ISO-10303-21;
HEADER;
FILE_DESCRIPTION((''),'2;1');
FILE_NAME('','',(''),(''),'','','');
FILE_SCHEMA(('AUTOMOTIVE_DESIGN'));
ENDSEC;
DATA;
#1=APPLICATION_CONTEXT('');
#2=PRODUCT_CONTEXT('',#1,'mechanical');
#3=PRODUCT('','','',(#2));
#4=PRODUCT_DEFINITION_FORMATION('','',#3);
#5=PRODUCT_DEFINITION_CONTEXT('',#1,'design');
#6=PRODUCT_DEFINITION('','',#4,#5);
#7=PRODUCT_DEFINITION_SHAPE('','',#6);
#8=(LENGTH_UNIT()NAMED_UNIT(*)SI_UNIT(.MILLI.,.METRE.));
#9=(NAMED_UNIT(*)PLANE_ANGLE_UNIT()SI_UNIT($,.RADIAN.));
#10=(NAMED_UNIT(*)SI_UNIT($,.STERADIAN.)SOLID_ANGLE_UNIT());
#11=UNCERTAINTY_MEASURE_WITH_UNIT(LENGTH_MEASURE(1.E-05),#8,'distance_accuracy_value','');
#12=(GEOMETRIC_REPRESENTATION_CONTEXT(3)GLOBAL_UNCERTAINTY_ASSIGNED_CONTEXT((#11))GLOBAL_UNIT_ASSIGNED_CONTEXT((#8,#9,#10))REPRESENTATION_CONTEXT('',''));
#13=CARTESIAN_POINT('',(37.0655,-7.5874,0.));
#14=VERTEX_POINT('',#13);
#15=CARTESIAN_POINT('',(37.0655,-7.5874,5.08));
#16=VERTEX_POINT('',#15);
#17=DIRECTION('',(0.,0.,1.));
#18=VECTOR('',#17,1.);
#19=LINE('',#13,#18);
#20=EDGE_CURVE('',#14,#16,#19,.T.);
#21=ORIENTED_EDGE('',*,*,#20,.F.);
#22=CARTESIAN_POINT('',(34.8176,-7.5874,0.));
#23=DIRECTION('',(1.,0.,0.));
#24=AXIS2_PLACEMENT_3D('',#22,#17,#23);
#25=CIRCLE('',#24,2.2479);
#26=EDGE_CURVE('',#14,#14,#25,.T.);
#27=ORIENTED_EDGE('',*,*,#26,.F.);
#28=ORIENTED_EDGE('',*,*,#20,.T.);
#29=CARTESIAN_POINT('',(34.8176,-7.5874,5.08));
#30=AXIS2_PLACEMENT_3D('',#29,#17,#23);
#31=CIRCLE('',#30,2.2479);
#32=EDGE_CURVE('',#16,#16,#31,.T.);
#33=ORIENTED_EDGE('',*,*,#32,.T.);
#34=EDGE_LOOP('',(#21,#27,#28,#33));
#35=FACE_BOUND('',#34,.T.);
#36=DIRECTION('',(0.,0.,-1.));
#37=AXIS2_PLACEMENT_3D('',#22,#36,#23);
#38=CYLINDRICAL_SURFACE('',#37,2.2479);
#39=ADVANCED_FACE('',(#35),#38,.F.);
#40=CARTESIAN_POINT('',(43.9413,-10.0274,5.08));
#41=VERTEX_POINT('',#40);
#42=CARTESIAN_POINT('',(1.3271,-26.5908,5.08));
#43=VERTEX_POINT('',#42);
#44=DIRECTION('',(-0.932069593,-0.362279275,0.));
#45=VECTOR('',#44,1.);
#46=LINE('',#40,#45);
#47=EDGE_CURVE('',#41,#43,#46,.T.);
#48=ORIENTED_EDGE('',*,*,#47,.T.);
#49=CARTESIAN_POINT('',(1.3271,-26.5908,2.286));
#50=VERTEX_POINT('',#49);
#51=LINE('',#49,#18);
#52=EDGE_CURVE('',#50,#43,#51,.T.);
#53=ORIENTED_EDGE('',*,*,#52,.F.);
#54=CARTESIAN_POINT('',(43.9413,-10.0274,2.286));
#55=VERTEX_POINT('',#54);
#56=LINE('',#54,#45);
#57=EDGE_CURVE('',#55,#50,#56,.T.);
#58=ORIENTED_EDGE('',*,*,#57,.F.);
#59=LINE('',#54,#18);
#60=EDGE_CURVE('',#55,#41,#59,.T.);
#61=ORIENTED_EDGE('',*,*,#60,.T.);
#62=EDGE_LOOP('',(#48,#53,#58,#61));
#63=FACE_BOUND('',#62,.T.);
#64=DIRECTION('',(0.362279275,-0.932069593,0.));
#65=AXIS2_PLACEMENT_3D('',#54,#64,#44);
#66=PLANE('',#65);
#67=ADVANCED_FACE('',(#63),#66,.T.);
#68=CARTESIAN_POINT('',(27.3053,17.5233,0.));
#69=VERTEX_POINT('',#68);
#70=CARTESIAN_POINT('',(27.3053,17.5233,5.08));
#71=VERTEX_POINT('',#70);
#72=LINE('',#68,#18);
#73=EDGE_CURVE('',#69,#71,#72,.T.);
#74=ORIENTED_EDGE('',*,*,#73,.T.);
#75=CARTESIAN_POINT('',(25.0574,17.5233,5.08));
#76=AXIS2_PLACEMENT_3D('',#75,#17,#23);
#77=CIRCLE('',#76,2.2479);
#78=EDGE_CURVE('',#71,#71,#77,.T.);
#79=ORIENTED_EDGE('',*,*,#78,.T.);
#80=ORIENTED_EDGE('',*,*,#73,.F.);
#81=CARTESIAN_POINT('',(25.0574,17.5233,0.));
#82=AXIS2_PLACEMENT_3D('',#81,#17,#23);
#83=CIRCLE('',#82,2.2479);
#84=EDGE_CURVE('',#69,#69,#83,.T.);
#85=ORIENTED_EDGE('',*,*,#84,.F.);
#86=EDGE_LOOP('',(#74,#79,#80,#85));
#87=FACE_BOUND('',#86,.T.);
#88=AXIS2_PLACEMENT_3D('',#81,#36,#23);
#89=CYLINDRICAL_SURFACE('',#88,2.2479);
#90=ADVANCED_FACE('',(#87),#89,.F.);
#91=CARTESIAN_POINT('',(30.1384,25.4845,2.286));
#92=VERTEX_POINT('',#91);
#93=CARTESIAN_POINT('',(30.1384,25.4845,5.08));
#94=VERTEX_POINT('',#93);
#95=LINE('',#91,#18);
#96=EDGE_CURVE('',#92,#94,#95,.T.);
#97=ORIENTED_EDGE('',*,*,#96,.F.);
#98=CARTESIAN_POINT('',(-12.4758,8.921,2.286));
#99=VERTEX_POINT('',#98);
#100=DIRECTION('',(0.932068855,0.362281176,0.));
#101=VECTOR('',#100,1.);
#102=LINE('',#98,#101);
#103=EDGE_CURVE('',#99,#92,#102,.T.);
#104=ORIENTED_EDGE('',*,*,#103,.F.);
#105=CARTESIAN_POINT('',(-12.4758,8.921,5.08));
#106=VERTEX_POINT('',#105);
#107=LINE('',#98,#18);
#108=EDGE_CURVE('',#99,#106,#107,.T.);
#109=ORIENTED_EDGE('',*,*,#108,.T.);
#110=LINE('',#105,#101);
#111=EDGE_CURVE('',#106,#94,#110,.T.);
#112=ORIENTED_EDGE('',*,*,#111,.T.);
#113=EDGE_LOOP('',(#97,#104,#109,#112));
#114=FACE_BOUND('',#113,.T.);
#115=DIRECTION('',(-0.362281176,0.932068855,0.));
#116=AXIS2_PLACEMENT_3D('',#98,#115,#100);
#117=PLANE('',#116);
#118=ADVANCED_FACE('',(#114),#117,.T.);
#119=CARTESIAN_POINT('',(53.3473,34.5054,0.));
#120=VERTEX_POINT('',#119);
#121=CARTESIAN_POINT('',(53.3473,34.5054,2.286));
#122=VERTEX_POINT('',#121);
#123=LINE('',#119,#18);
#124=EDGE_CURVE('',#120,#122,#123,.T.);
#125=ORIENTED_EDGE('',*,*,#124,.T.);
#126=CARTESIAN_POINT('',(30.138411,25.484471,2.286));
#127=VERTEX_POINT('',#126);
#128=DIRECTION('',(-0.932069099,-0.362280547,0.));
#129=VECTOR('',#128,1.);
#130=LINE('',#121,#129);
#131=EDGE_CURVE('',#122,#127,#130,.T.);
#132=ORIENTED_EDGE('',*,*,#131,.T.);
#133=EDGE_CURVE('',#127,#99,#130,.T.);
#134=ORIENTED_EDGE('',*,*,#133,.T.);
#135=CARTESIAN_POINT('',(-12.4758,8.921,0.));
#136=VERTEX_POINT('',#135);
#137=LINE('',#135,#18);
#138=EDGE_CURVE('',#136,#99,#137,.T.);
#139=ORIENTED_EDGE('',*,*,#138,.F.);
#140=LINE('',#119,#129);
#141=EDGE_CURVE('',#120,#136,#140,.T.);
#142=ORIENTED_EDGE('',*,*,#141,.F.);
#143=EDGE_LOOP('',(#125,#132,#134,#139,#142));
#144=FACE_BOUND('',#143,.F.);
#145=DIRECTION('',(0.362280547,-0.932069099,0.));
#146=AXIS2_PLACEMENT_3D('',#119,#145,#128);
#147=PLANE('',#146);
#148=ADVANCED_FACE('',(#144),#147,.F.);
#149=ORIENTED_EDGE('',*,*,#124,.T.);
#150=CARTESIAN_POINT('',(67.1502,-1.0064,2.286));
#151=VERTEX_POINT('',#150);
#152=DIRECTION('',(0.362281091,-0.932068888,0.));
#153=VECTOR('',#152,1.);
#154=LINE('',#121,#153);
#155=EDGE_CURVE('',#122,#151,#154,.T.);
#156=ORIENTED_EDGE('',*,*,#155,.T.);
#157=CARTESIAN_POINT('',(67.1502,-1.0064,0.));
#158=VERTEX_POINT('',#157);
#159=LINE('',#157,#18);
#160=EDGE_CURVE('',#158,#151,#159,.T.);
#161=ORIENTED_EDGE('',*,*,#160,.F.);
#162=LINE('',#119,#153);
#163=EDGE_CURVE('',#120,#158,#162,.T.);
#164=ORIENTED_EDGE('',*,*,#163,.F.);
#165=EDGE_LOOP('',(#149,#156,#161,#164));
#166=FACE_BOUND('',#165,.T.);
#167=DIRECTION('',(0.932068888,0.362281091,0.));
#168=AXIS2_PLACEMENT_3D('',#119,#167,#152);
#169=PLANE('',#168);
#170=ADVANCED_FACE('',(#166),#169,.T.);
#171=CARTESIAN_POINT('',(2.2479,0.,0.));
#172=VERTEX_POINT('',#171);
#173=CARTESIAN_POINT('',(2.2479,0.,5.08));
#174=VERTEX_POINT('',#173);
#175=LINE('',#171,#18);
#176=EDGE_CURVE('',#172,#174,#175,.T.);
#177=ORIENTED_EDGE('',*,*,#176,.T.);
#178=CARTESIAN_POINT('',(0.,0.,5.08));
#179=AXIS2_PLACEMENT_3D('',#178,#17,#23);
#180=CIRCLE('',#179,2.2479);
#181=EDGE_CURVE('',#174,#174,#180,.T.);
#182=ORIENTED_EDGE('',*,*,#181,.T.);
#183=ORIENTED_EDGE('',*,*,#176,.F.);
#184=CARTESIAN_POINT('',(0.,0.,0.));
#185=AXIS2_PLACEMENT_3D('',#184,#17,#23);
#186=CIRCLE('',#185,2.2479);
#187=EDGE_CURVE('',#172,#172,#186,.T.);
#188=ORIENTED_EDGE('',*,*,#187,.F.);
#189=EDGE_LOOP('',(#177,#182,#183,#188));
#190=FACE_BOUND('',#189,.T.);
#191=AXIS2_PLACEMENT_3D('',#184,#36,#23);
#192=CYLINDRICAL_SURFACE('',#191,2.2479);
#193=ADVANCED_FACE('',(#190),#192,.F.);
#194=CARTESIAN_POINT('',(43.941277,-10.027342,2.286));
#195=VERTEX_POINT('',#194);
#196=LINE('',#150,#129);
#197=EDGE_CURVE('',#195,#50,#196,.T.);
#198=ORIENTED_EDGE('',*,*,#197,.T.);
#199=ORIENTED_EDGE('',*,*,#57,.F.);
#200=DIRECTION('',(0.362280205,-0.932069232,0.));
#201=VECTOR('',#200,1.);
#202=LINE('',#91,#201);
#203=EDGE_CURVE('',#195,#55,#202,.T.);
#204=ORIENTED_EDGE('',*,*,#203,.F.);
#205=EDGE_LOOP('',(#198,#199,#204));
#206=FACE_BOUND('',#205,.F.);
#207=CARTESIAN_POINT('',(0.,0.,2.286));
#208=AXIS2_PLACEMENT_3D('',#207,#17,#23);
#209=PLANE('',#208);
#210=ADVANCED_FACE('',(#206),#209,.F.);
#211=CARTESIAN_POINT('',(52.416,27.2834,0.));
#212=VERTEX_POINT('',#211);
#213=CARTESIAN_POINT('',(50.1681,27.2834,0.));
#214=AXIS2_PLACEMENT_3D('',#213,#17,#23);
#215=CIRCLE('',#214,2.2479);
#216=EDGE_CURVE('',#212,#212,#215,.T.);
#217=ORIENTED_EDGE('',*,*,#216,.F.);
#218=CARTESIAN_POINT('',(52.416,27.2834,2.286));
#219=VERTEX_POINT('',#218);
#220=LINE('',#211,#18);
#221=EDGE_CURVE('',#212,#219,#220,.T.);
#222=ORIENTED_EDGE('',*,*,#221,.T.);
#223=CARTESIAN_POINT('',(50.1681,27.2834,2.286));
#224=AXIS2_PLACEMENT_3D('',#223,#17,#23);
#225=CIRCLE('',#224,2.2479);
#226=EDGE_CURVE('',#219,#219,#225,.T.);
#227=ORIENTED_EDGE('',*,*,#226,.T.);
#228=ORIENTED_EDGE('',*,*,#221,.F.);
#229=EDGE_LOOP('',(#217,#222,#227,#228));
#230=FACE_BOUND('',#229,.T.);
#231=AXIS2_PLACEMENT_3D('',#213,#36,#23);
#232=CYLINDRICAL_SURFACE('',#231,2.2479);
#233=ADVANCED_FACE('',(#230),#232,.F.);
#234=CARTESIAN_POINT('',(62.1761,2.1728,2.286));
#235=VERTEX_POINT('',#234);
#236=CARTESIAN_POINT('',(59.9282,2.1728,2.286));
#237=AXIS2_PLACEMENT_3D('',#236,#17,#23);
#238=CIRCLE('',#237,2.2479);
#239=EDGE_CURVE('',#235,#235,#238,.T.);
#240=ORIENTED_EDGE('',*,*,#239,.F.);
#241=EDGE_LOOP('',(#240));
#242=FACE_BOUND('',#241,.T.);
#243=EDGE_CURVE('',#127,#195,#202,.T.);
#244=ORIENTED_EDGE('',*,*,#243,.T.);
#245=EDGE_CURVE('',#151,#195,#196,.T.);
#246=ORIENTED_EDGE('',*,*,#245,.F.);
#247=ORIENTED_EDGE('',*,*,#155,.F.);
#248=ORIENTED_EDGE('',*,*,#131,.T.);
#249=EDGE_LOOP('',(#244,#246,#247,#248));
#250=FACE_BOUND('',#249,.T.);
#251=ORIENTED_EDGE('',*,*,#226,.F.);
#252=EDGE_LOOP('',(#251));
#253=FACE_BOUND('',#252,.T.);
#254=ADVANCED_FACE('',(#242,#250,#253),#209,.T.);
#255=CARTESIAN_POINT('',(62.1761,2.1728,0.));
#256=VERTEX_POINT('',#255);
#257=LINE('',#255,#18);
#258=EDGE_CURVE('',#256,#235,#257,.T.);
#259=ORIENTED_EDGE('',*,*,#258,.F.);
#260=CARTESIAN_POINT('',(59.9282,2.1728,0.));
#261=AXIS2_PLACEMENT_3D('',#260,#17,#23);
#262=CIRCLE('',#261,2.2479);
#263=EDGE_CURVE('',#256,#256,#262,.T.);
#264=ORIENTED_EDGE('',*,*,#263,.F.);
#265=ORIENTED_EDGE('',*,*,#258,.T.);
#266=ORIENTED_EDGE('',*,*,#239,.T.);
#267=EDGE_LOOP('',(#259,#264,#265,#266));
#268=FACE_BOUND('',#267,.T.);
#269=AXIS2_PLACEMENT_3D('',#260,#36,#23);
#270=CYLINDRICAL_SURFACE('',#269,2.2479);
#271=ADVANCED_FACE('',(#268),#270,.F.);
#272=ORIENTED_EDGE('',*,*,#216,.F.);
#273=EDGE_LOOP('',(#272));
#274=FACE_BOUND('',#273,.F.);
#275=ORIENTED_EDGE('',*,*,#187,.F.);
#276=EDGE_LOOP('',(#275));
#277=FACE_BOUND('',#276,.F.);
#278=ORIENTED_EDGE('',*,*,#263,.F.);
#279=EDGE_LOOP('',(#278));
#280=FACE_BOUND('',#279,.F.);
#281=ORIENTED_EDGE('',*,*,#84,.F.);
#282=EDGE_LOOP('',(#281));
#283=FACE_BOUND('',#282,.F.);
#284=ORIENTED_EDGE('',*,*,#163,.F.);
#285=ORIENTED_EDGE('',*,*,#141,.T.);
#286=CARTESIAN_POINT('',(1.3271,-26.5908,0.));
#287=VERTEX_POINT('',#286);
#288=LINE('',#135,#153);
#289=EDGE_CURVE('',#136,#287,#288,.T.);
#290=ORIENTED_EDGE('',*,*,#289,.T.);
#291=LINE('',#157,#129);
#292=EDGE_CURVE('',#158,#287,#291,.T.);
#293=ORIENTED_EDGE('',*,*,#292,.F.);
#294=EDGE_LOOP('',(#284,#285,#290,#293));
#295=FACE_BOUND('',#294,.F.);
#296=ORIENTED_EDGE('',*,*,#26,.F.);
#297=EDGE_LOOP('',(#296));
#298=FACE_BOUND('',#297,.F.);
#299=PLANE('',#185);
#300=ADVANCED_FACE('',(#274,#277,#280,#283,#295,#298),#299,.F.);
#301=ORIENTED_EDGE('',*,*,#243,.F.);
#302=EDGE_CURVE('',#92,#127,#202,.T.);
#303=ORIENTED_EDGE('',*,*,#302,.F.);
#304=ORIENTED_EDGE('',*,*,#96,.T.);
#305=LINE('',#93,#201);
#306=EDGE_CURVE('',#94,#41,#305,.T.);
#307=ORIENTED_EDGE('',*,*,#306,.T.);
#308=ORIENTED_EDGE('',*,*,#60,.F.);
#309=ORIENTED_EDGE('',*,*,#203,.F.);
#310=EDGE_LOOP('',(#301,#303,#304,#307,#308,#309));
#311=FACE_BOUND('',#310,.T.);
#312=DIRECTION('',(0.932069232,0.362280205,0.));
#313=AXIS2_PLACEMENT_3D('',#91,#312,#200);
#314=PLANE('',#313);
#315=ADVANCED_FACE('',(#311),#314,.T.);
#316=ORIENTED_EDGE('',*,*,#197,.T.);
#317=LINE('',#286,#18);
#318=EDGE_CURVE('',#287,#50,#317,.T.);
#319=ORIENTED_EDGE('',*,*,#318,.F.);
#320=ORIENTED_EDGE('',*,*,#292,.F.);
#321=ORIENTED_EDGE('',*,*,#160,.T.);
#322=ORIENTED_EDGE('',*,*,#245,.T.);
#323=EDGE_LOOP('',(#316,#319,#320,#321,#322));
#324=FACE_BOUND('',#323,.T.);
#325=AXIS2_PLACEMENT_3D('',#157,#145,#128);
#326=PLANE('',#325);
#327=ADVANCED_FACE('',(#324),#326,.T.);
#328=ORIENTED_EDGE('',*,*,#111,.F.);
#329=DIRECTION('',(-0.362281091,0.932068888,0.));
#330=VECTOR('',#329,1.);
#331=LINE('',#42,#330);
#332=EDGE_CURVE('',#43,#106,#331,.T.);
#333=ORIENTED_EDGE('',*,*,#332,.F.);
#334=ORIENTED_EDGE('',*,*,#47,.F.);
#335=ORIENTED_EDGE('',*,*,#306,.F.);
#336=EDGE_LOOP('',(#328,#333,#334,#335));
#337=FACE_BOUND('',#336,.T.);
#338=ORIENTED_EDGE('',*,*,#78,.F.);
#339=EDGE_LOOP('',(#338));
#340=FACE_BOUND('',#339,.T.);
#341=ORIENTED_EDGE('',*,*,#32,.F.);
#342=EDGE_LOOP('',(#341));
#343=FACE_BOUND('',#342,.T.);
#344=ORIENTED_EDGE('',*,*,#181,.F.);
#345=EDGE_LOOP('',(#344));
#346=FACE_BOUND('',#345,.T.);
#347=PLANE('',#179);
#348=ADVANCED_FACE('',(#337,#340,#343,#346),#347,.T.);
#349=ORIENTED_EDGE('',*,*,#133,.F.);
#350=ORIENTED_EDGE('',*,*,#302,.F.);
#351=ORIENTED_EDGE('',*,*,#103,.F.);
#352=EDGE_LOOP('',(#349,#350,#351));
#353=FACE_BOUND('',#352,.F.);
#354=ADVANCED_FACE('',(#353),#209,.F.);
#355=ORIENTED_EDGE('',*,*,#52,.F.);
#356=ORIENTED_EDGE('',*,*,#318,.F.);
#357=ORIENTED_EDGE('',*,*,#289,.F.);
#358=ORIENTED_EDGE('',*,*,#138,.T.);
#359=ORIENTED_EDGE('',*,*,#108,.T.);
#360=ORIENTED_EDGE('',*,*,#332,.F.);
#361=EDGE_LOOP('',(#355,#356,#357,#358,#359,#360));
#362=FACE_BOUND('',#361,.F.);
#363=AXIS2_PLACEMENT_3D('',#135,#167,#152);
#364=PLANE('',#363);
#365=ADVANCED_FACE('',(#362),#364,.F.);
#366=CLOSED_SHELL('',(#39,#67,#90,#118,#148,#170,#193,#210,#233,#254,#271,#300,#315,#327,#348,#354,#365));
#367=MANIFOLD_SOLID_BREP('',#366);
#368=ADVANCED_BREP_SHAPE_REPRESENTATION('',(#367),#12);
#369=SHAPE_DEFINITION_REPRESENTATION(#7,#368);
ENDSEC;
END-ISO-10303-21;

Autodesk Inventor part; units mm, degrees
ref_plane "YZ Plane" through (0, 0, 0) normal (1, 0, 0) x (0, 1, 0)
ref_plane "XZ Plane" through (0, 0, 0) normal (0, 1, 0) x (-1, 0, 0)
ref_plane "XY Plane" through (0, 0, 0) normal (0, 0, 1) x (1, 0, 0)
sketch "Sketch1" plane through (0, 0, 0) normal (0, 0, 1) x (1, 0, 0)
  circle A0 centre (50.1681, 27.2834) radius 1.778 construction
  circle A1 centre (25.0574, 17.5233) radius 1.778 construction
  circle A2 centre (34.8176, -7.5874) radius 1.778 construction
  circle A3 centre (59.9282, 2.1728) radius 1.778 construction
  circle A4 centre (0, 0) radius 3.5 construction
  circle A5 centre (44.7061, 31.1467) radius 1.778 construction
  circle A6 centre (58.509, -4.3651) radius 1.778 construction
  circle A7 centre (26.4767, 24.0612) radius 1.778 construction
  circle A8 centre (40.2796, -11.4506) radius 1.778 construction
  line L0 (44.7061, 31.1467) -> (26.4767, 24.0612) construction
  line L1 (58.509, -4.3651) -> (40.2796, -11.4506) construction
  line L2 (168.5413, -268.1733) -> (30.5122, 86.945) construction
  circle A9 centre (-14.8554, 15.0432) radius 1.778 construction
  circle A10 centre (1.8062, -27.8234) radius 1.778 construction
  line L3 (67.1502, -1.0064) -> (1.3271, -26.5908)
  line L4 (53.3473, 34.5054) -> (-12.4758, 8.921)
  line L5 (-12.4758, 8.921) -> (1.3271, -26.5908)
  circle A11 centre (50.1681, 27.2834) radius 2.2479
  circle A12 centre (59.9282, 2.1728) radius 2.2479
  circle A13 centre (34.8176, -7.5874) radius 2.2479
  circle A14 centre (25.0574, 17.5233) radius 2.2479
  circle A15 centre (0, 0) radius 2.2479
  line L6 (53.3473, 34.5054) -> (67.1502, -1.0064)
  point P0 (51.2166, 33.6772)
  dimension "d0" = 4.4958
  dimension "d1" = 4.4958
  dimension "d2" = 4.4958
  dimension "d3" = 4.4958
  dimension "d4" = 4.4958
extrude "Extrusion1" add sketch "Sketch1" along normal blind 2.286
sketch "Sketch2" plane through (0, 0, 2.286) normal (0, 0, 1) x (1, 0, 0)
  line L0 (1.3271, -26.5908) -> (-12.4758, 8.921) projected
  line L1 (-12.4758, 8.921) -> (30.1384, 25.4845)
  line L2 (30.1384, 25.4845) -> (43.9413, -10.0274)
  line L3 (43.9413, -10.0274) -> (1.3271, -26.5908)
  line L4 (1.3271, -26.5908) -> (-12.4758, 8.921)
  circle A0 centre (25.0574, 17.5233) radius 2.2479 projected
  circle A1 centre (0, 0) radius 2.2479 projected
  circle A2 centre (34.8176, -7.5874) radius 2.2479 projected
  dimension "d7" = 45.72
extrude "Extrusion2" add sketch "Sketch2" along normal blind 2.794
properties part number "VWheelArmThickLeft"
